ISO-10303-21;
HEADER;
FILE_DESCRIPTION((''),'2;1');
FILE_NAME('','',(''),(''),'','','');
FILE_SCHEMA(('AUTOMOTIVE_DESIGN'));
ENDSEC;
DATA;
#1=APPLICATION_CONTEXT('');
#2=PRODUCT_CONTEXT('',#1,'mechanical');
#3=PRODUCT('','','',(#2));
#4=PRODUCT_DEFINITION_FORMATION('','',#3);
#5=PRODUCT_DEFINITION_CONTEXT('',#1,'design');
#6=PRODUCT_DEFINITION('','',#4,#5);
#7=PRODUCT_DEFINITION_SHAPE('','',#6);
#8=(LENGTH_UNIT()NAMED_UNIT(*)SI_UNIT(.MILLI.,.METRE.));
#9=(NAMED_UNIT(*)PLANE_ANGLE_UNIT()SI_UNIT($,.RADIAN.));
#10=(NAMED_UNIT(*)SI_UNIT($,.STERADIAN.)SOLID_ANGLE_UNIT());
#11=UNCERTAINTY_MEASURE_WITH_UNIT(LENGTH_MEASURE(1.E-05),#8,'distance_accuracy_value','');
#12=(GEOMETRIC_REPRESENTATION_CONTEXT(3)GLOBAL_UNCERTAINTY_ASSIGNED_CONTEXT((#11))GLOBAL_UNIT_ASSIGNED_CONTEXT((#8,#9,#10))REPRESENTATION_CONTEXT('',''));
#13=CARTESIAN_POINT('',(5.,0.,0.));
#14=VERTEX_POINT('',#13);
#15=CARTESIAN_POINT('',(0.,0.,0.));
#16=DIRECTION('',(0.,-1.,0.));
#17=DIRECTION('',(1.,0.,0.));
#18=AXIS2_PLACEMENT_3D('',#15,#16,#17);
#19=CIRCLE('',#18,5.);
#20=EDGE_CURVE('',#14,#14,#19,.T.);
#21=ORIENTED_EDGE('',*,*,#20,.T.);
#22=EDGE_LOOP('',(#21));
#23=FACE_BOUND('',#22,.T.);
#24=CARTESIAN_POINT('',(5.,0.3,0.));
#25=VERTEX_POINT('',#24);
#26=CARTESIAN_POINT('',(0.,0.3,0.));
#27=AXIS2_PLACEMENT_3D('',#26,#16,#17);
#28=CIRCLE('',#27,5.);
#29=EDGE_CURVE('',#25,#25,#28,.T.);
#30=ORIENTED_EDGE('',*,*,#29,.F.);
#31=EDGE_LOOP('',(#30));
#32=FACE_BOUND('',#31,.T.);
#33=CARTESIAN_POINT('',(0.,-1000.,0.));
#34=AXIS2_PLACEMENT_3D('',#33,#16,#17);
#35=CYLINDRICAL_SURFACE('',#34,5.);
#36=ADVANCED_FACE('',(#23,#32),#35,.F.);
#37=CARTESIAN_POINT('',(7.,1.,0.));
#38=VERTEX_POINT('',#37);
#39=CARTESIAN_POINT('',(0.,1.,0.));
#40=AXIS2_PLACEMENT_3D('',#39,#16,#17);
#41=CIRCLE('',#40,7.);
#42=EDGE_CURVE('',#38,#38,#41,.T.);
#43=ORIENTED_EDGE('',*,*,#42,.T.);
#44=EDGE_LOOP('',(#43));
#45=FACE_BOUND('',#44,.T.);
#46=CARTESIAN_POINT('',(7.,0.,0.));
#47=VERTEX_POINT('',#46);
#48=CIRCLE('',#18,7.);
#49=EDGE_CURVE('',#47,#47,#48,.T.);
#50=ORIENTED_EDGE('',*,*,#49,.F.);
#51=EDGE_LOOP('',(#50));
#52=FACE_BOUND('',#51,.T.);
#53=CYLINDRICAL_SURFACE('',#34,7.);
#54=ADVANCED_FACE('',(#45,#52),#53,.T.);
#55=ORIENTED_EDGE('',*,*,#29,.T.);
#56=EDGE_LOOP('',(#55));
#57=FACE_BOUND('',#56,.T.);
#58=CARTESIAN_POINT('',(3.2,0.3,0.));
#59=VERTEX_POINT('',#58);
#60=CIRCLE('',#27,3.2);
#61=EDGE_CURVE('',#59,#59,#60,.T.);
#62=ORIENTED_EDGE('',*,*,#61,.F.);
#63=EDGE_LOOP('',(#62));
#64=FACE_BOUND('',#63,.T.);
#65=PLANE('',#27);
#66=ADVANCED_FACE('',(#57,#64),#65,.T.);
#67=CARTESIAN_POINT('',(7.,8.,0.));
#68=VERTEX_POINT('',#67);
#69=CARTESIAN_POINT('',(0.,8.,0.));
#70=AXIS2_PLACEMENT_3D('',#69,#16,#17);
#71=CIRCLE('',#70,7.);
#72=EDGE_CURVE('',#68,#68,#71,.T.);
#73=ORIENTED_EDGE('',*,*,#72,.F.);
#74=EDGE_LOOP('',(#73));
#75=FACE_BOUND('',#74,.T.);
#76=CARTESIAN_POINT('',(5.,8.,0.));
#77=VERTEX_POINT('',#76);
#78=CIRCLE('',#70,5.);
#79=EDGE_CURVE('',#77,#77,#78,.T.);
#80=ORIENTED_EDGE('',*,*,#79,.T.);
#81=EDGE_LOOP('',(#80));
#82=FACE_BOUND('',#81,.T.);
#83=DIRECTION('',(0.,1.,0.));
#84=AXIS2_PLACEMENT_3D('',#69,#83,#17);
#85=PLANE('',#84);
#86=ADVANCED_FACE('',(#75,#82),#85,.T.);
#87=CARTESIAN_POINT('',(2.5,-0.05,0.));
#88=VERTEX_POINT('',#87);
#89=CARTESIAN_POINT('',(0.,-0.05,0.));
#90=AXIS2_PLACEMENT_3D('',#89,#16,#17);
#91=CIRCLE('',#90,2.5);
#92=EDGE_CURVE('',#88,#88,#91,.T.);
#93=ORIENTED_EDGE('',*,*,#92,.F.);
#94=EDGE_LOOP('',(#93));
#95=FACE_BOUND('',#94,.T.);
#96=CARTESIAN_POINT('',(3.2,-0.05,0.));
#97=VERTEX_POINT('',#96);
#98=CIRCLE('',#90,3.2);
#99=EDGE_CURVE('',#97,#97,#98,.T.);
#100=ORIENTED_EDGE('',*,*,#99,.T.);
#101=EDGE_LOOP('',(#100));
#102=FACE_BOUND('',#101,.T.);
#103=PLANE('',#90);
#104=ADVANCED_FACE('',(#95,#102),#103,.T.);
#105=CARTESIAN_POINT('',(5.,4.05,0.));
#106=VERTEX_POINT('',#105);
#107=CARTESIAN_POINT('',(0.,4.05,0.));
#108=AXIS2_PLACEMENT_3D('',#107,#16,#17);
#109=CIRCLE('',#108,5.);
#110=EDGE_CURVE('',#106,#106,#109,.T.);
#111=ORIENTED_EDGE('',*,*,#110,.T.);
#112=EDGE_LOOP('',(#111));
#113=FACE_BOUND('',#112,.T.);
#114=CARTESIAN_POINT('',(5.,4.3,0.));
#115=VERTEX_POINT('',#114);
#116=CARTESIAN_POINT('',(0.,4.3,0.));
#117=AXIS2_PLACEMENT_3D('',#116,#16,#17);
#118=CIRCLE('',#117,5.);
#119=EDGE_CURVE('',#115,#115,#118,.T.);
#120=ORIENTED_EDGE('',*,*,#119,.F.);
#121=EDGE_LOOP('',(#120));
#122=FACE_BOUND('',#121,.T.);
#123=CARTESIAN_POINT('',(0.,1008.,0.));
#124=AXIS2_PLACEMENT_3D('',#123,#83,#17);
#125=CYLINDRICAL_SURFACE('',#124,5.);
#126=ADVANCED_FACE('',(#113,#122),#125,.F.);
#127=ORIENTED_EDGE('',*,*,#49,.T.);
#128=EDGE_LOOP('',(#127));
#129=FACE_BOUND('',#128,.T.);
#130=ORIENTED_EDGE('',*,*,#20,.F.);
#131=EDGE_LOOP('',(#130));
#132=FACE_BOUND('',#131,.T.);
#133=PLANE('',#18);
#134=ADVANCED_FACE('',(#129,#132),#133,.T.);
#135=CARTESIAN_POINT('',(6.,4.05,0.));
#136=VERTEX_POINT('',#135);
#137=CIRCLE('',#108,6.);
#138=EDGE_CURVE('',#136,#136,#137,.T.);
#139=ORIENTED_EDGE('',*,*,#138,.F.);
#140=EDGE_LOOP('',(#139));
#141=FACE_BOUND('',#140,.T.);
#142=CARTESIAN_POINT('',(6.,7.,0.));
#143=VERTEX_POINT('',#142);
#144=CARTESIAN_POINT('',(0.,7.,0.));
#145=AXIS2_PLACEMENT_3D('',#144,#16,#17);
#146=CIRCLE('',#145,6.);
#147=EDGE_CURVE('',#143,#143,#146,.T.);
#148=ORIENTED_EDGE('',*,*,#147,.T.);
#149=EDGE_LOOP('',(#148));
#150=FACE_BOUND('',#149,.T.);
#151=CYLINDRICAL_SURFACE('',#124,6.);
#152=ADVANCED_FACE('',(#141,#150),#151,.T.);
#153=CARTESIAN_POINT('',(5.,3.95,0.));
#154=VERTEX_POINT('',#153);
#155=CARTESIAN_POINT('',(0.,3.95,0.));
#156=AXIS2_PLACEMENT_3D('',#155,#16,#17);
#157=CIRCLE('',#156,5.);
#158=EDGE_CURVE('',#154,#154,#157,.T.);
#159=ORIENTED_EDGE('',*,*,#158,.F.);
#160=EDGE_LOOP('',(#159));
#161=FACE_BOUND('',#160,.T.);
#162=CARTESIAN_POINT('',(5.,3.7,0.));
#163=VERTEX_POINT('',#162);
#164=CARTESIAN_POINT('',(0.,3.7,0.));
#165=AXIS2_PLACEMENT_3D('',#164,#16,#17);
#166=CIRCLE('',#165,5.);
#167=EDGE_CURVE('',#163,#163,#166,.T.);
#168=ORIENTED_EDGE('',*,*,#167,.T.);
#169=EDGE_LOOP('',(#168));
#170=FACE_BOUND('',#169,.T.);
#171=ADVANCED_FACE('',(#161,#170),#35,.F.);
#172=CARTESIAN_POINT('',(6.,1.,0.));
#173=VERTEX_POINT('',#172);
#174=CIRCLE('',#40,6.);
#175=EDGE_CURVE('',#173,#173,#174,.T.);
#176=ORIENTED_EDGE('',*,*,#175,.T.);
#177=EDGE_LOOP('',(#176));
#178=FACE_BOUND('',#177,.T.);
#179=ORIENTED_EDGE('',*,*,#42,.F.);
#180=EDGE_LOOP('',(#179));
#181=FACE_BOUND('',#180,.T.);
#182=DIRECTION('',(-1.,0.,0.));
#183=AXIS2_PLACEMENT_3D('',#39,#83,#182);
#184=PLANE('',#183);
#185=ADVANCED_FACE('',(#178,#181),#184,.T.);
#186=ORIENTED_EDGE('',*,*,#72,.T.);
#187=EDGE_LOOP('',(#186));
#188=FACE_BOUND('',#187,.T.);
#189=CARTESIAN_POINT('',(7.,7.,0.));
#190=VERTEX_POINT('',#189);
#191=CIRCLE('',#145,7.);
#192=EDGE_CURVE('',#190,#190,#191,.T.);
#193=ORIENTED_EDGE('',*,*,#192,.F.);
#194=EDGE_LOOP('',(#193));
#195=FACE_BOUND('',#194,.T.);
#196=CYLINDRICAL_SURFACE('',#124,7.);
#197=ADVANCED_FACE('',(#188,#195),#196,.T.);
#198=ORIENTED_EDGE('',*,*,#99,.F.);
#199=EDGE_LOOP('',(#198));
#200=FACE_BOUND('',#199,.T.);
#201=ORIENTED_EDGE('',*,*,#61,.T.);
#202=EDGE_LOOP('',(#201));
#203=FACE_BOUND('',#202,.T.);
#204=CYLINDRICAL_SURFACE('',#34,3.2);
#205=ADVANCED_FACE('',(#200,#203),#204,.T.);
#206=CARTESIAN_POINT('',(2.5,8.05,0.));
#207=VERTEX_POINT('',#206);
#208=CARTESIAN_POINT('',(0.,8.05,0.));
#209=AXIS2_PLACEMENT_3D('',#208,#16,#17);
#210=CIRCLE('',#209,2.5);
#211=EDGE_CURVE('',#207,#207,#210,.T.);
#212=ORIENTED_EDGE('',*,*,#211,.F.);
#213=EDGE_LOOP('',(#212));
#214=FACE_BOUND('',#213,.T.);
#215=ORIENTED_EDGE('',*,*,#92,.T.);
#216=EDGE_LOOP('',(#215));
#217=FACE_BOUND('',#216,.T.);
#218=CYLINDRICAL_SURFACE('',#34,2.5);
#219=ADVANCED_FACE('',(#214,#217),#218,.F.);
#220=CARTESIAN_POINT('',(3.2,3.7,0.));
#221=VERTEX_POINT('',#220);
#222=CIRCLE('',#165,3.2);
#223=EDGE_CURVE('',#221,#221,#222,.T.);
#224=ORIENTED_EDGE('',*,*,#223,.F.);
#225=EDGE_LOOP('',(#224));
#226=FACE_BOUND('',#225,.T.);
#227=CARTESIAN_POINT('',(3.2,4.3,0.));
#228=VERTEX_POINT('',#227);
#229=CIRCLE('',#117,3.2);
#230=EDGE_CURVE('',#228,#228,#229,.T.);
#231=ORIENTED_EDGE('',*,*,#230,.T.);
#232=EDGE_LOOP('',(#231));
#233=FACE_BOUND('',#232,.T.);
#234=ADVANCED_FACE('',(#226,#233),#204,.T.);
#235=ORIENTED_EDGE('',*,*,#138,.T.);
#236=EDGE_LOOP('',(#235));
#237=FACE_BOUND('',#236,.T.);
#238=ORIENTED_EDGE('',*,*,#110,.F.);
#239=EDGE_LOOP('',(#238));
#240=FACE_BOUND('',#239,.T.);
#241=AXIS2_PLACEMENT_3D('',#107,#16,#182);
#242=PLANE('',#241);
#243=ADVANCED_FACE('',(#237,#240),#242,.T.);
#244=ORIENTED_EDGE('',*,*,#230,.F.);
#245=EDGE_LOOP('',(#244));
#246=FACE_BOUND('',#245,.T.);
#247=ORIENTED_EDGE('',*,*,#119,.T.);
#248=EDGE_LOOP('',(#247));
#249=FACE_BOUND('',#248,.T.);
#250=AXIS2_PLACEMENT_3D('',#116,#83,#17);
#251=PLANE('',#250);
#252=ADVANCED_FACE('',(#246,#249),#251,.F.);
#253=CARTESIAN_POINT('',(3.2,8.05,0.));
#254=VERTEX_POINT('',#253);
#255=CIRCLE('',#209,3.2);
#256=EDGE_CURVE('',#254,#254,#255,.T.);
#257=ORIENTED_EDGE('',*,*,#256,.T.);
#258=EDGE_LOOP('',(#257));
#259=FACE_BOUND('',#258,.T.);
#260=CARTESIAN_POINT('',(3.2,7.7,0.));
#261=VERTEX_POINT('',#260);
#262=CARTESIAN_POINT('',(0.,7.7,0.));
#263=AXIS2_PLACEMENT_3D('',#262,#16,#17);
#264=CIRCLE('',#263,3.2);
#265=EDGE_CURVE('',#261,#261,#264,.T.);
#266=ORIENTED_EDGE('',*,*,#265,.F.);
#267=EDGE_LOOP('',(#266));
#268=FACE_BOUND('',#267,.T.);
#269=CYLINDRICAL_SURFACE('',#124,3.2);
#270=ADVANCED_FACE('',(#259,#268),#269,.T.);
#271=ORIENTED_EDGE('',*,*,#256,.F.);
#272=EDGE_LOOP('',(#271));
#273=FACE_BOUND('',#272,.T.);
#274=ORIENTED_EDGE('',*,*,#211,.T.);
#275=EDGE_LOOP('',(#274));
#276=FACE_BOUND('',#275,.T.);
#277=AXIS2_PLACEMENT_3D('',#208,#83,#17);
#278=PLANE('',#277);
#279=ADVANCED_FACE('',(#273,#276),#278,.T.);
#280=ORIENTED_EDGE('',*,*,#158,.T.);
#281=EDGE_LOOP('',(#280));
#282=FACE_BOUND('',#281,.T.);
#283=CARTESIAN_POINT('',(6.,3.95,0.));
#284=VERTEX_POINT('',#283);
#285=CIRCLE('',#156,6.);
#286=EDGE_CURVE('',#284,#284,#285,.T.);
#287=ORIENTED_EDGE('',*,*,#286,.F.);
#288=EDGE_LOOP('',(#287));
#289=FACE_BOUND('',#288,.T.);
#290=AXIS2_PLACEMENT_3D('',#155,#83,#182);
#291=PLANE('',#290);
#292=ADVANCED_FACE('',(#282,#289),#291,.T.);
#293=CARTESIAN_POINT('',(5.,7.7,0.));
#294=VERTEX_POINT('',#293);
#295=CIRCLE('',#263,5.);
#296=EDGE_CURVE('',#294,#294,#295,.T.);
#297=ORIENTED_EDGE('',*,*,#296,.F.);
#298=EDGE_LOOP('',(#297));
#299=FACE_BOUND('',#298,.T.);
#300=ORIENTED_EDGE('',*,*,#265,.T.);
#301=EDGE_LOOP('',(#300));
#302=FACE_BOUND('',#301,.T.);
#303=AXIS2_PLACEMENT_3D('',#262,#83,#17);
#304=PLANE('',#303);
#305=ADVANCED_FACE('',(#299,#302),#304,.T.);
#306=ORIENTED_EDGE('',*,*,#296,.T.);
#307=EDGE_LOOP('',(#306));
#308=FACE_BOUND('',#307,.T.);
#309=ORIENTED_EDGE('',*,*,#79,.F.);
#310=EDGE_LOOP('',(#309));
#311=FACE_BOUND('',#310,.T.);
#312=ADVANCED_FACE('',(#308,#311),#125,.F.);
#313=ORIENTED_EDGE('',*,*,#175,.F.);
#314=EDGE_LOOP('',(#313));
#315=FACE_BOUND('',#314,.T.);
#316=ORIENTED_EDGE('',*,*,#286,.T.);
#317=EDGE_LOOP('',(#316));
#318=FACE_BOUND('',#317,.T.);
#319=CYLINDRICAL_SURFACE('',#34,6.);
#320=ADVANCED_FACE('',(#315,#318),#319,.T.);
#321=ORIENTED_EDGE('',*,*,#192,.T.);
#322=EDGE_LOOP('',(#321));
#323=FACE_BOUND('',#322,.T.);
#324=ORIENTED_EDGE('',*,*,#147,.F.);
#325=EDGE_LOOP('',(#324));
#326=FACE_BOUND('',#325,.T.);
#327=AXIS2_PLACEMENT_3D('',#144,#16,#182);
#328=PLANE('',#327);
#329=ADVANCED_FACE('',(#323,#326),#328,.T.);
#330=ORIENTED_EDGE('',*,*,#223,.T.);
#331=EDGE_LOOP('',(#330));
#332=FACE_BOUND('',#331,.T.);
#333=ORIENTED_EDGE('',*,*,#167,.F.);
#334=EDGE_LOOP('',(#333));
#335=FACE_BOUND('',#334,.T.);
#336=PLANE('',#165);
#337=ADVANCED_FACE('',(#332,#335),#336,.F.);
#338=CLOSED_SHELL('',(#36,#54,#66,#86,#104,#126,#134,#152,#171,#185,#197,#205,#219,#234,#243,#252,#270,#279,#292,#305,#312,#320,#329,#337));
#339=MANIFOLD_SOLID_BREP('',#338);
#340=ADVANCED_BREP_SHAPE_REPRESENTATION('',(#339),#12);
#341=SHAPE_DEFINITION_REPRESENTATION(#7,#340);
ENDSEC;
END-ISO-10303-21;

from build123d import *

# Parameters (mm, degrees)
SKETCH_1_W = 0.7
SKETCH_1_H = 0.05


with BuildPart() as part:
    # 草图1 → 旋转1 (revolve)
    with BuildSketch(Plane.XY):
        Polygon((2.5, 4), (2.5, 0), (3.2, 0), (3.2, 0.3), (5, 0.3), (5, 0), (7, 0), (7, 1), (6, 1), (6, 3.95), (5, 3.95), (5, 3.7), (3.2, 3.7), (3.2, 4), align=None)
        with Locations((2.85, -0.025)):
            Rectangle(SKETCH_1_W, SKETCH_1_H)
        with Locations((2.85, 4.025)):
            Rectangle(SKETCH_1_W, SKETCH_1_H)
    revolve_1 = revolve(axis=Axis((0, -1000, 0), (0, 1, 0)))

    # 镜向1: 旋转1 across plane
    add(revolve_1.mirror(Plane.ZX.offset(4)))


solid = part.part
